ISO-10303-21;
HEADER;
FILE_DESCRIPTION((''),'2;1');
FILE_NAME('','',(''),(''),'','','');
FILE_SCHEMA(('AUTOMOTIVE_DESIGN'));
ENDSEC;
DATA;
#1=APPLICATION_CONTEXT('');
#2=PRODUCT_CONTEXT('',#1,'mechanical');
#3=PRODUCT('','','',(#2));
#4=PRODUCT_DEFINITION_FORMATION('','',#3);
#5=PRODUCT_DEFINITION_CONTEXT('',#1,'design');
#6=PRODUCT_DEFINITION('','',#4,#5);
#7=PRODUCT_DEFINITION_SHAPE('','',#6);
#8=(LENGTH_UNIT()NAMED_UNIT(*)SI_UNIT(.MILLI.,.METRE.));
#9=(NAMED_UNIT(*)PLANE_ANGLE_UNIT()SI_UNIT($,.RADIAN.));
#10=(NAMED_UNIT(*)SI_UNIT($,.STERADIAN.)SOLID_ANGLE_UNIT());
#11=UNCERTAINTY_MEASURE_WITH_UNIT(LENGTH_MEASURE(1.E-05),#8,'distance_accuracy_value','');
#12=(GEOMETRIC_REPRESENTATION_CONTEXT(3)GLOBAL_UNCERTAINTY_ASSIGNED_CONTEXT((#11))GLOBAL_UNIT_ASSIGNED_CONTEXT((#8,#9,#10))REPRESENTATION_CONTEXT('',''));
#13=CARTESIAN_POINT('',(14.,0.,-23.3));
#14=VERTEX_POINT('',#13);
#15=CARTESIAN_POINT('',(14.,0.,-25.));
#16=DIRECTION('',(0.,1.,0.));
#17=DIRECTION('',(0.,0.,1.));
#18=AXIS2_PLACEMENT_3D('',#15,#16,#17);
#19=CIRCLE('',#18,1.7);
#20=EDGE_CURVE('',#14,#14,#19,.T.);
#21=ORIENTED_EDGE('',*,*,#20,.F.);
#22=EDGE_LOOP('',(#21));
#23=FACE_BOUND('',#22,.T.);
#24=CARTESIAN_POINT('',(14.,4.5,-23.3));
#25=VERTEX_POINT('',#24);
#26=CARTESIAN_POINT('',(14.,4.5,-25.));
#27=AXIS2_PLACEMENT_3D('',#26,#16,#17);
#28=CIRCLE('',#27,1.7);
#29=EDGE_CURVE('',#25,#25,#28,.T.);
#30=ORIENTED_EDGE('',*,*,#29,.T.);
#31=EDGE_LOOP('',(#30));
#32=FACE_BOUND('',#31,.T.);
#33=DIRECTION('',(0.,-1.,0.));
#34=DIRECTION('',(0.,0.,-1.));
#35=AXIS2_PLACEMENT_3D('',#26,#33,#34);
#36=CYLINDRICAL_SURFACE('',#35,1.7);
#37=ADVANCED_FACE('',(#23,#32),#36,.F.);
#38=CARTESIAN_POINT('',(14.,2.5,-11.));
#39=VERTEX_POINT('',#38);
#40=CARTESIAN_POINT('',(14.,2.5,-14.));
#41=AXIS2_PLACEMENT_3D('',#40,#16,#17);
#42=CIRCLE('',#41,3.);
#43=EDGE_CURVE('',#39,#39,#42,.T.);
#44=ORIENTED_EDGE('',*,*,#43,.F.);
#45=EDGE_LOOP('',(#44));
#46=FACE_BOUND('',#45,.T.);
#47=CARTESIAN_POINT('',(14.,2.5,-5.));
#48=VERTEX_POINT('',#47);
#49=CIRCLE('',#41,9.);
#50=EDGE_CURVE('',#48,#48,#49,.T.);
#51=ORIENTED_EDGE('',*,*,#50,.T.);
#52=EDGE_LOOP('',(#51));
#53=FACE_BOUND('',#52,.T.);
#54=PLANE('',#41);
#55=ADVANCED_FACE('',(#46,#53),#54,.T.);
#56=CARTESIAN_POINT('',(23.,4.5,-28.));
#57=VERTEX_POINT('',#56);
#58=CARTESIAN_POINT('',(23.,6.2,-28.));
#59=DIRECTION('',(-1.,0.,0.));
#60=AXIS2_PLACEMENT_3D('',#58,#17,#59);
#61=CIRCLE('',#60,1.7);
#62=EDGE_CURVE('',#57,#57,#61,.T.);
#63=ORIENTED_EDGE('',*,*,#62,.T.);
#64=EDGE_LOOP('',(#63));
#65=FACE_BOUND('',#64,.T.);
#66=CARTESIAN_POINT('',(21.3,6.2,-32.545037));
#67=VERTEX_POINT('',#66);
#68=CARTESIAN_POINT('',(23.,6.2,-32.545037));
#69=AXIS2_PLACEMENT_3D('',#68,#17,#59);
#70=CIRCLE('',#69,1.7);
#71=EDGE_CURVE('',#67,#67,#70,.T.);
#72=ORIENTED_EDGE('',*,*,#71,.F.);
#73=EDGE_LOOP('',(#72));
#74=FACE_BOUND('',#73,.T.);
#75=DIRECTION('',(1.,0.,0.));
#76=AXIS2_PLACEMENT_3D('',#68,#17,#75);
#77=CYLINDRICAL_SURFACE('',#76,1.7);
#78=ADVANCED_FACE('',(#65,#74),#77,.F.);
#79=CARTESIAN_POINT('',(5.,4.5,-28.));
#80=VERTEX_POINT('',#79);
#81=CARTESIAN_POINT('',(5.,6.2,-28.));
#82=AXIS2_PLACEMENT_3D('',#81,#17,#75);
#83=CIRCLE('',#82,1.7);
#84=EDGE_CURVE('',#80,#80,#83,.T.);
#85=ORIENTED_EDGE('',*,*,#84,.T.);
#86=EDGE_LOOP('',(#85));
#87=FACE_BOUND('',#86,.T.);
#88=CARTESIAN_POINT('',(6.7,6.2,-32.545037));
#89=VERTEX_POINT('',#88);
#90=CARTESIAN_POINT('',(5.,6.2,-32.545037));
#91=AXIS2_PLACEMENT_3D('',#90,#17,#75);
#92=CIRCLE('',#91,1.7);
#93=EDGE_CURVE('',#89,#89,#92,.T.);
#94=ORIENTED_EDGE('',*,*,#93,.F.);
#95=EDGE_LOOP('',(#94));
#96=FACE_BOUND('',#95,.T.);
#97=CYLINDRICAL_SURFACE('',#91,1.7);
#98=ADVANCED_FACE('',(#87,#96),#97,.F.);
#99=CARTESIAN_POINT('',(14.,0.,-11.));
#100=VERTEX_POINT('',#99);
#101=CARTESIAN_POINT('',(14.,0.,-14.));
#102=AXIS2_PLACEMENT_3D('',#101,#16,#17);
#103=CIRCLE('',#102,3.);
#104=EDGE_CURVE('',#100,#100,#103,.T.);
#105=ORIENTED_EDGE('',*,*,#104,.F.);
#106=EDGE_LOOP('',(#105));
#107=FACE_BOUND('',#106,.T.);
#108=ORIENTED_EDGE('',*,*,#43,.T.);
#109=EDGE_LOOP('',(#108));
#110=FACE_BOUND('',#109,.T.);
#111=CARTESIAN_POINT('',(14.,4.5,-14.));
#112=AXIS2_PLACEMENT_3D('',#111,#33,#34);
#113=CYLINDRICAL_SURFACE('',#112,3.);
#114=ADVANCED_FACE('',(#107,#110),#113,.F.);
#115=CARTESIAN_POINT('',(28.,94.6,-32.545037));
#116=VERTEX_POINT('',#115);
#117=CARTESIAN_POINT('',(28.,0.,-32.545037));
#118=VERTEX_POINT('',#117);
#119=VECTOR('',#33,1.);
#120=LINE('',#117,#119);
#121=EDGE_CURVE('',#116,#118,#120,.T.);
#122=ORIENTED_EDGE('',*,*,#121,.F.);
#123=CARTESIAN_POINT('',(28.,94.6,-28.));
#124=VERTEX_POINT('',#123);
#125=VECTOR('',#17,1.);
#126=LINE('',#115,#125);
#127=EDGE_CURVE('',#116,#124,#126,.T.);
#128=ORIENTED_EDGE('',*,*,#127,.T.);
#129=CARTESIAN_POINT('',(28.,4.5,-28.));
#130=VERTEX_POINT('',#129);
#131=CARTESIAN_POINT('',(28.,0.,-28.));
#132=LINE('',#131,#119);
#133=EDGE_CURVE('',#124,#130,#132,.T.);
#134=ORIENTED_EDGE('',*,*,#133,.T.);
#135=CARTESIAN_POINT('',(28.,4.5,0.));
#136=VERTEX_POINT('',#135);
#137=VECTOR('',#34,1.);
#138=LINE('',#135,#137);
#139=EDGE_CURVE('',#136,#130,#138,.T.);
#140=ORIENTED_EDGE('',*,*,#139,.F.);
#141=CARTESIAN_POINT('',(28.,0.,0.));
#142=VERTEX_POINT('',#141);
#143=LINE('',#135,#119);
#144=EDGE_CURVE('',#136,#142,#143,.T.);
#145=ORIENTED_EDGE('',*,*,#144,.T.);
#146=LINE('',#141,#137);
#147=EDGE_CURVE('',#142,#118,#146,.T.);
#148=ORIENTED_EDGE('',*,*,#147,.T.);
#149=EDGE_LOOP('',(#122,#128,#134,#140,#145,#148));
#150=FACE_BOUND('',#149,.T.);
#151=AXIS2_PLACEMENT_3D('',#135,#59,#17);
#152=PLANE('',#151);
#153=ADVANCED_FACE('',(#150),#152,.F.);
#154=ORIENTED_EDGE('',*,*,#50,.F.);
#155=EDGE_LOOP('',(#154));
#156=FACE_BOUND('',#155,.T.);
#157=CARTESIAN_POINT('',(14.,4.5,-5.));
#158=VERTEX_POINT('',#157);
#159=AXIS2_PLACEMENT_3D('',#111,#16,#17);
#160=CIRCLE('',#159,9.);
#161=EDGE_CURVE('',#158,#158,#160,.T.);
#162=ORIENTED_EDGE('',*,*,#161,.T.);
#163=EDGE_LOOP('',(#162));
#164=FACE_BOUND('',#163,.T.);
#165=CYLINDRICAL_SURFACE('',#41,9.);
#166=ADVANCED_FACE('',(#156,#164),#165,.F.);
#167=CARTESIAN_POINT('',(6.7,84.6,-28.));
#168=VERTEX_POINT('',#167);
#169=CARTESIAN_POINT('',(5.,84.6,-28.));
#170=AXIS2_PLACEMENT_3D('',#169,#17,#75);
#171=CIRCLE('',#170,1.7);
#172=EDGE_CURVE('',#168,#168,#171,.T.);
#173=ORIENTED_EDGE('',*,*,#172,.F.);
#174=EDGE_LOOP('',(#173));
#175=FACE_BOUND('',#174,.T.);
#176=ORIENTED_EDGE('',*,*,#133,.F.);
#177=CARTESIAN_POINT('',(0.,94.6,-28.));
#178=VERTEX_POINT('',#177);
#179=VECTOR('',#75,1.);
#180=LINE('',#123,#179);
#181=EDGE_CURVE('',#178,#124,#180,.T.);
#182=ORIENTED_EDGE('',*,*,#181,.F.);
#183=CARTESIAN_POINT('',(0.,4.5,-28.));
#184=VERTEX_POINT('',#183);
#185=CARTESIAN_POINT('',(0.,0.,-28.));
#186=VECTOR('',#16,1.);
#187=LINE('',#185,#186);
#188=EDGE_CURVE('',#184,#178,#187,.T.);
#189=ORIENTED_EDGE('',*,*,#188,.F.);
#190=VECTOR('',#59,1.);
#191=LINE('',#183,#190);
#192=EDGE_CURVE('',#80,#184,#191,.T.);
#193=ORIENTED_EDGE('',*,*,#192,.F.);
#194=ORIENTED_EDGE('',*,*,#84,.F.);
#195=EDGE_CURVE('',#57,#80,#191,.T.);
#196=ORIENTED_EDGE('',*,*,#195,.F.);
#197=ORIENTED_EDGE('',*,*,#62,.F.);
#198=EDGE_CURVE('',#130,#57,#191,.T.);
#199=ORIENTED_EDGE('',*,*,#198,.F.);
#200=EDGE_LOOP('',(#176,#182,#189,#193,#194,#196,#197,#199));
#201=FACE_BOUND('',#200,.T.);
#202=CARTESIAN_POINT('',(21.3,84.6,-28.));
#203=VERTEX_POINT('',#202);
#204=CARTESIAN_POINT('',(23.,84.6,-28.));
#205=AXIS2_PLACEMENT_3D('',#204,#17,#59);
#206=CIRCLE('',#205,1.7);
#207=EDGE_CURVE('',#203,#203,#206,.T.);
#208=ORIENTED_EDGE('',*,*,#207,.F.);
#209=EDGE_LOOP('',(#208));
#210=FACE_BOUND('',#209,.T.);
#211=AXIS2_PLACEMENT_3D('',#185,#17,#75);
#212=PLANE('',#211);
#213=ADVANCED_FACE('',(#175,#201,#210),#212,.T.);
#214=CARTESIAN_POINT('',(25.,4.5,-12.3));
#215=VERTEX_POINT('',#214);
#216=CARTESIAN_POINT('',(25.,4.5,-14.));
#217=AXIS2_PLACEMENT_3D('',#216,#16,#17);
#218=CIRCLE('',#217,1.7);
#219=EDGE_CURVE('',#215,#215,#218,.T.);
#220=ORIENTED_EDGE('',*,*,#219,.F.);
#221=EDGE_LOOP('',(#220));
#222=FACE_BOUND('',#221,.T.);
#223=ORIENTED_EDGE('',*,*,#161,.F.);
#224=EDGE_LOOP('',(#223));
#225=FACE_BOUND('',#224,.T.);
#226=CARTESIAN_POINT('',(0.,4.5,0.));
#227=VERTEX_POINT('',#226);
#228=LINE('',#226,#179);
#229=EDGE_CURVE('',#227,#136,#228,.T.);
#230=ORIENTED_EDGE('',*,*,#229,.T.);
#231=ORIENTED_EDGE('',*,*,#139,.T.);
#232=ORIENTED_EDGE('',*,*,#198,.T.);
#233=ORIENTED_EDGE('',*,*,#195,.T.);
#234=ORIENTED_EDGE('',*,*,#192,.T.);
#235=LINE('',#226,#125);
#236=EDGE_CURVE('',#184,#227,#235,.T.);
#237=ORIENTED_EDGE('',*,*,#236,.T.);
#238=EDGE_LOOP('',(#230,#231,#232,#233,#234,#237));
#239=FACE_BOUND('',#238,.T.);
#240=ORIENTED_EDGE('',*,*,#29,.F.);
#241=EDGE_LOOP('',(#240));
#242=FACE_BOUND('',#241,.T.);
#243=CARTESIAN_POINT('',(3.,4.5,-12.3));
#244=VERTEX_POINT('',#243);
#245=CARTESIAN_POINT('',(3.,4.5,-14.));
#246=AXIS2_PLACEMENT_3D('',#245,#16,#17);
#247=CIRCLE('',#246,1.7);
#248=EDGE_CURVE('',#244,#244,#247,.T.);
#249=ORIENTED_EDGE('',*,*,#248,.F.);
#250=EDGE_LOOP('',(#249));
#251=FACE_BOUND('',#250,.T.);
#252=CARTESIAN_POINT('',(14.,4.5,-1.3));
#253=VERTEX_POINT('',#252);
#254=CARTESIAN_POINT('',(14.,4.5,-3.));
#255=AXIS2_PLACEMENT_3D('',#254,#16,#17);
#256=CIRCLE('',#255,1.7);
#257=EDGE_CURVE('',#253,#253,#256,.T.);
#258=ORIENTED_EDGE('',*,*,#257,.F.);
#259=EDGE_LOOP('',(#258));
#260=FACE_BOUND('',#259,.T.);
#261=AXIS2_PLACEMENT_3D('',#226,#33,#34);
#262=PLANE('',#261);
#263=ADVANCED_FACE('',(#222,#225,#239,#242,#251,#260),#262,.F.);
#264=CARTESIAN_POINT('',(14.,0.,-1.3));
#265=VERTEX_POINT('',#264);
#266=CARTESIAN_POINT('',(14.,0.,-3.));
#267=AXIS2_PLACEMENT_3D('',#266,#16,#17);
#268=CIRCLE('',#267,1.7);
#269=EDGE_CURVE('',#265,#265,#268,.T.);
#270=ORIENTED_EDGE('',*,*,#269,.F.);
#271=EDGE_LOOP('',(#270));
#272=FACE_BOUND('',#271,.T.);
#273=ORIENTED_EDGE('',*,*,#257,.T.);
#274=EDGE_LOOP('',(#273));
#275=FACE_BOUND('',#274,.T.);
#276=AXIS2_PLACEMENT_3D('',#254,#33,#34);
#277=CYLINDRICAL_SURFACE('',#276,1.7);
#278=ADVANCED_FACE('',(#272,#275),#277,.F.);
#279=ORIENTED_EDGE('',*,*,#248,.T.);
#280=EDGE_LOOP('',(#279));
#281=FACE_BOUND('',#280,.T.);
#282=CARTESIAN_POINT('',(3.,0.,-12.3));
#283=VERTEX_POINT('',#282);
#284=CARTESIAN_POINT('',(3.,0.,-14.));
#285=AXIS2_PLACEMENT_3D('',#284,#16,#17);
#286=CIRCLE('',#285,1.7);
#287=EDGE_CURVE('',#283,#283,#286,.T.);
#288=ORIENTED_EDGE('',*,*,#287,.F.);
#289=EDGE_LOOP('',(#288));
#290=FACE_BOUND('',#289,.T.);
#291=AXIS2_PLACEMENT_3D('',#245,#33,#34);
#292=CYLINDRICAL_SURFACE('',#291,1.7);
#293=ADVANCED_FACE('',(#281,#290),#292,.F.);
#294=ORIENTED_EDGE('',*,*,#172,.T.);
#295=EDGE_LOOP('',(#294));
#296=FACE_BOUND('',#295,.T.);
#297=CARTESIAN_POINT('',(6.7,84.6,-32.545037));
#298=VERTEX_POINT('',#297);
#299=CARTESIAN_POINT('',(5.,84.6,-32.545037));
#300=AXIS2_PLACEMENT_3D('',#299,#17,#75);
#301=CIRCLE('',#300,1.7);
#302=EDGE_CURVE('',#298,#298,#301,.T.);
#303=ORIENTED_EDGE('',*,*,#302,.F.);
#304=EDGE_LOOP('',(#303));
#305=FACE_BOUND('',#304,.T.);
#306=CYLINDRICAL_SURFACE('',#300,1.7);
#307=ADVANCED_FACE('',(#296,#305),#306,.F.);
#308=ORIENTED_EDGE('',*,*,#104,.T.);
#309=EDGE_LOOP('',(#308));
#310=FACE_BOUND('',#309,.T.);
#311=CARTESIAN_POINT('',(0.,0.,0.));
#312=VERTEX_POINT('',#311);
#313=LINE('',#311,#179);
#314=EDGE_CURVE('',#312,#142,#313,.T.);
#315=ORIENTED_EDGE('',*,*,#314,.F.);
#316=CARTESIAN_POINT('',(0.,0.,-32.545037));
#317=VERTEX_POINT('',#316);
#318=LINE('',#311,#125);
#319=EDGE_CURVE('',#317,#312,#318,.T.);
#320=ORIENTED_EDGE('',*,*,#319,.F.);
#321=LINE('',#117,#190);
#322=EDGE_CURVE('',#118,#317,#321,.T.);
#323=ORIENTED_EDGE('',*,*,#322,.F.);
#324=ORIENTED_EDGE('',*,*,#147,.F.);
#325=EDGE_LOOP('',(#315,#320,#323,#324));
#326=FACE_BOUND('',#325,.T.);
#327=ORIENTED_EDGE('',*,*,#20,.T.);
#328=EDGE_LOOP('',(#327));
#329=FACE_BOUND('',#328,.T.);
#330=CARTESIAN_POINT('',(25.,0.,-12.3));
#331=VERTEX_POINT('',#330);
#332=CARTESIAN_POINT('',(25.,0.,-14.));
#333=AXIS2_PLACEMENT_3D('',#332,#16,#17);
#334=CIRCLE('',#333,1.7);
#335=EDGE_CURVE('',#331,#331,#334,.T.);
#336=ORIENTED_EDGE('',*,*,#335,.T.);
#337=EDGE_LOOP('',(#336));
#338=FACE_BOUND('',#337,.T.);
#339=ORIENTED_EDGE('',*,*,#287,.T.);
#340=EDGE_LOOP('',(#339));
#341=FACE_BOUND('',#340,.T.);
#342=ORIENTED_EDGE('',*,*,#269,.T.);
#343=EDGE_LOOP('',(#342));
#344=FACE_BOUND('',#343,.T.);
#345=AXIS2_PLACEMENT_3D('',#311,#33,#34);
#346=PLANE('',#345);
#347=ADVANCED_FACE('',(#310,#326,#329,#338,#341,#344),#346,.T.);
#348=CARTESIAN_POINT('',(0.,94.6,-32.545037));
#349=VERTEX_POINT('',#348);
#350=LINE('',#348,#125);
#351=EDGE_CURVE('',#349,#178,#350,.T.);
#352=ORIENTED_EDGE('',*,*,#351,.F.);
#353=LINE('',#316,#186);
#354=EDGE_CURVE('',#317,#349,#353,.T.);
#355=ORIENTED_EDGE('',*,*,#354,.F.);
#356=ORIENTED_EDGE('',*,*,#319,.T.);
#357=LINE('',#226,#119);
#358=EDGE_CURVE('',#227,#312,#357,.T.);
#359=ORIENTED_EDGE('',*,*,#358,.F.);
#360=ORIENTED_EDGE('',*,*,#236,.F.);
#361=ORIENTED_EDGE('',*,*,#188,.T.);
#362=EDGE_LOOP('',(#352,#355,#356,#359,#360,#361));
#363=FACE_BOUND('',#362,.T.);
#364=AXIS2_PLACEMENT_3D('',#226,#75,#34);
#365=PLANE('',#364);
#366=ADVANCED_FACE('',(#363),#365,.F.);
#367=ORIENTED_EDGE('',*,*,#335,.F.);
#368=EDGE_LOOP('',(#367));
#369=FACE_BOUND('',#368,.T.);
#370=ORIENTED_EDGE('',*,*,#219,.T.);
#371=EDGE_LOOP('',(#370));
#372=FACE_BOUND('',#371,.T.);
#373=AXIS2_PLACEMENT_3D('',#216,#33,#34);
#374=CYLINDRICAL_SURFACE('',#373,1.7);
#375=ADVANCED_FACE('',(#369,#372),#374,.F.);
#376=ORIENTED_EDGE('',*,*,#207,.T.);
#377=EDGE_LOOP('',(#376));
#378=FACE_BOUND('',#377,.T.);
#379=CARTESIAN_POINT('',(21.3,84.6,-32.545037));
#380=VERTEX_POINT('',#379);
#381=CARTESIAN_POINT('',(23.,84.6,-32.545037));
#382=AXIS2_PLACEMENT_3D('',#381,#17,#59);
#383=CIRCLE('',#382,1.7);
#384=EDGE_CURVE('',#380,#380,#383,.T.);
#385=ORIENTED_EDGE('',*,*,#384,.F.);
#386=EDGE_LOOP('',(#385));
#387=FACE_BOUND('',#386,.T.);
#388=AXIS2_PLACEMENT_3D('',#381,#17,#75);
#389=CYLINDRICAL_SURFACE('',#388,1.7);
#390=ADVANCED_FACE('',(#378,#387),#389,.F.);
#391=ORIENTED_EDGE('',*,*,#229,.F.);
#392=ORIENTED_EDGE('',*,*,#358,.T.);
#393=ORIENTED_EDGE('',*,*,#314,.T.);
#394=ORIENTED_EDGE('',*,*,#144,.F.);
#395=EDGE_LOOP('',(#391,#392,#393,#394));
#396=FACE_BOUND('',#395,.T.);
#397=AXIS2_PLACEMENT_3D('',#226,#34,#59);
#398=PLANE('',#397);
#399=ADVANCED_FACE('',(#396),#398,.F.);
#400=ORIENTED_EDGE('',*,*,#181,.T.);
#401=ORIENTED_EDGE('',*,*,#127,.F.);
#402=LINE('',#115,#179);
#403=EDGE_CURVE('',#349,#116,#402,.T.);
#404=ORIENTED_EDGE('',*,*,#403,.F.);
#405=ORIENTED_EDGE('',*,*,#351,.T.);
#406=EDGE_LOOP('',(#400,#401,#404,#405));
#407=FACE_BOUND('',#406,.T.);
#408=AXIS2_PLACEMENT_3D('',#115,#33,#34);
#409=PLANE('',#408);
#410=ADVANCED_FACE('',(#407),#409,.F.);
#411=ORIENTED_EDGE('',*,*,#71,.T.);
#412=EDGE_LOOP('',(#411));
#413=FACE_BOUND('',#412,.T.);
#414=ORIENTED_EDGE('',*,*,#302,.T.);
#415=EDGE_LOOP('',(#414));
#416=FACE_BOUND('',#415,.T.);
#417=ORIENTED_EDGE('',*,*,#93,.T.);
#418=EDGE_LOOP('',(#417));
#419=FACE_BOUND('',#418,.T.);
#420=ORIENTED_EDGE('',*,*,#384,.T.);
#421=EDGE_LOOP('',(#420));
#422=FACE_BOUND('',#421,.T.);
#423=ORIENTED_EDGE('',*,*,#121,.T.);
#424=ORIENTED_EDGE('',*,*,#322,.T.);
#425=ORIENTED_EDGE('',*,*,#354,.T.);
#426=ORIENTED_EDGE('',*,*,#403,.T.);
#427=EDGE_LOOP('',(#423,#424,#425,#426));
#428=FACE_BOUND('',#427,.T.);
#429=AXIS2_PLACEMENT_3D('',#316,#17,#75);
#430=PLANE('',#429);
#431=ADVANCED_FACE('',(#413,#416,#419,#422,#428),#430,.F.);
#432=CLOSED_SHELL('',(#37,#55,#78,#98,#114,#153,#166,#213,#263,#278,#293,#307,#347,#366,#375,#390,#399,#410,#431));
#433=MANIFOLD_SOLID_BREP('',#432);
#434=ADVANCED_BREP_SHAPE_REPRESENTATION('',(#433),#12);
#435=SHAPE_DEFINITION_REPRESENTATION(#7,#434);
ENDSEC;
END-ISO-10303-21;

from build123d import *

# Parameters (mm, degrees)
SKETCH1_W           = 28
SKETCH1_H           = 28
SKETCH1_R           = 3
SKETCH1_R_2         = 1.7
BOSS_EXTRUDE1_DEPTH = 4.5
SKETCH2_W           = 28
SKETCH2_H           = 94.6
BOSS_EXTRUDE2_DEPTH = 4.545037206
SKETCH3_R           = 1.7
CUT_EXTRUDE1_DEPTH  = 103.553205703
SKETCH5_R           = 9
CUT_EXTRUDE2_DEPTH  = 2


with BuildPart() as part:
    # Sketch1 → Boss-Extrude1 (new body)
    with BuildSketch(Plane(origin=(0, 0, 0), x_dir=(1, 0, 0), z_dir=(0, 1, 0))):
        with Locations((14, 14)):
            Rectangle(SKETCH1_W, SKETCH1_H)
        with Locations(Location((14, 14, 0), (0, 0, 270))):
            Circle(SKETCH1_R, mode=Mode.SUBTRACT)
        with Locations(Location((14, 25, 0), (0, 0, 270))):
            Circle(SKETCH1_R_2, mode=Mode.SUBTRACT)
        with Locations(Location((25, 14, 0), (0, 0, 270))):
            Circle(SKETCH1_R_2, mode=Mode.SUBTRACT)
        with Locations(Location((14, 3, 0), (0, 0, 270))):
            Circle(SKETCH1_R_2, mode=Mode.SUBTRACT)
        with Locations(Location((3, 14, 0), (0, 0, 270))):
            Circle(SKETCH1_R_2, mode=Mode.SUBTRACT)
    extrude(amount=BOSS_EXTRUDE1_DEPTH)

    # Sketch2 → Boss-Extrude2 (add)
    with BuildSketch(Plane(origin=(0, 0, -28), x_dir=(-1, 0, 0), z_dir=(0, 0, -1))):
        with Locations((-14, 47.3)):
            Rectangle(SKETCH2_W, SKETCH2_H)
    extrude(amount=BOSS_EXTRUDE2_DEPTH)

    # Sketch3 → Cut-Extrude1 (cut, through all)
    with BuildSketch(Plane.XY.offset(-28)):
        with Locations((5, 6.2)):
            Circle(SKETCH3_R)
        with Locations((5, 84.6)):
            Circle(SKETCH3_R)
        with Locations(Location((23, 6.2, 0), (0, 0, 270))):
            Circle(SKETCH3_R)
        with Locations(Location((23, 84.6, 0), (0, 0, 180))):
            Circle(SKETCH3_R)
    extrude(amount=-CUT_EXTRUDE1_DEPTH, mode=Mode.SUBTRACT)

    # Sketch5 → Cut-Extrude2 (cut)
    with BuildSketch(Plane(origin=(0, 4.5, 0), x_dir=(1, 0, 0), z_dir=(0, 1, 0))):
        with Locations(Location((14, 14, 0), (0, 0, 270))):
            Circle(SKETCH5_R)
    extrude(amount=-CUT_EXTRUDE2_DEPTH, mode=Mode.SUBTRACT)


solid = part.part
